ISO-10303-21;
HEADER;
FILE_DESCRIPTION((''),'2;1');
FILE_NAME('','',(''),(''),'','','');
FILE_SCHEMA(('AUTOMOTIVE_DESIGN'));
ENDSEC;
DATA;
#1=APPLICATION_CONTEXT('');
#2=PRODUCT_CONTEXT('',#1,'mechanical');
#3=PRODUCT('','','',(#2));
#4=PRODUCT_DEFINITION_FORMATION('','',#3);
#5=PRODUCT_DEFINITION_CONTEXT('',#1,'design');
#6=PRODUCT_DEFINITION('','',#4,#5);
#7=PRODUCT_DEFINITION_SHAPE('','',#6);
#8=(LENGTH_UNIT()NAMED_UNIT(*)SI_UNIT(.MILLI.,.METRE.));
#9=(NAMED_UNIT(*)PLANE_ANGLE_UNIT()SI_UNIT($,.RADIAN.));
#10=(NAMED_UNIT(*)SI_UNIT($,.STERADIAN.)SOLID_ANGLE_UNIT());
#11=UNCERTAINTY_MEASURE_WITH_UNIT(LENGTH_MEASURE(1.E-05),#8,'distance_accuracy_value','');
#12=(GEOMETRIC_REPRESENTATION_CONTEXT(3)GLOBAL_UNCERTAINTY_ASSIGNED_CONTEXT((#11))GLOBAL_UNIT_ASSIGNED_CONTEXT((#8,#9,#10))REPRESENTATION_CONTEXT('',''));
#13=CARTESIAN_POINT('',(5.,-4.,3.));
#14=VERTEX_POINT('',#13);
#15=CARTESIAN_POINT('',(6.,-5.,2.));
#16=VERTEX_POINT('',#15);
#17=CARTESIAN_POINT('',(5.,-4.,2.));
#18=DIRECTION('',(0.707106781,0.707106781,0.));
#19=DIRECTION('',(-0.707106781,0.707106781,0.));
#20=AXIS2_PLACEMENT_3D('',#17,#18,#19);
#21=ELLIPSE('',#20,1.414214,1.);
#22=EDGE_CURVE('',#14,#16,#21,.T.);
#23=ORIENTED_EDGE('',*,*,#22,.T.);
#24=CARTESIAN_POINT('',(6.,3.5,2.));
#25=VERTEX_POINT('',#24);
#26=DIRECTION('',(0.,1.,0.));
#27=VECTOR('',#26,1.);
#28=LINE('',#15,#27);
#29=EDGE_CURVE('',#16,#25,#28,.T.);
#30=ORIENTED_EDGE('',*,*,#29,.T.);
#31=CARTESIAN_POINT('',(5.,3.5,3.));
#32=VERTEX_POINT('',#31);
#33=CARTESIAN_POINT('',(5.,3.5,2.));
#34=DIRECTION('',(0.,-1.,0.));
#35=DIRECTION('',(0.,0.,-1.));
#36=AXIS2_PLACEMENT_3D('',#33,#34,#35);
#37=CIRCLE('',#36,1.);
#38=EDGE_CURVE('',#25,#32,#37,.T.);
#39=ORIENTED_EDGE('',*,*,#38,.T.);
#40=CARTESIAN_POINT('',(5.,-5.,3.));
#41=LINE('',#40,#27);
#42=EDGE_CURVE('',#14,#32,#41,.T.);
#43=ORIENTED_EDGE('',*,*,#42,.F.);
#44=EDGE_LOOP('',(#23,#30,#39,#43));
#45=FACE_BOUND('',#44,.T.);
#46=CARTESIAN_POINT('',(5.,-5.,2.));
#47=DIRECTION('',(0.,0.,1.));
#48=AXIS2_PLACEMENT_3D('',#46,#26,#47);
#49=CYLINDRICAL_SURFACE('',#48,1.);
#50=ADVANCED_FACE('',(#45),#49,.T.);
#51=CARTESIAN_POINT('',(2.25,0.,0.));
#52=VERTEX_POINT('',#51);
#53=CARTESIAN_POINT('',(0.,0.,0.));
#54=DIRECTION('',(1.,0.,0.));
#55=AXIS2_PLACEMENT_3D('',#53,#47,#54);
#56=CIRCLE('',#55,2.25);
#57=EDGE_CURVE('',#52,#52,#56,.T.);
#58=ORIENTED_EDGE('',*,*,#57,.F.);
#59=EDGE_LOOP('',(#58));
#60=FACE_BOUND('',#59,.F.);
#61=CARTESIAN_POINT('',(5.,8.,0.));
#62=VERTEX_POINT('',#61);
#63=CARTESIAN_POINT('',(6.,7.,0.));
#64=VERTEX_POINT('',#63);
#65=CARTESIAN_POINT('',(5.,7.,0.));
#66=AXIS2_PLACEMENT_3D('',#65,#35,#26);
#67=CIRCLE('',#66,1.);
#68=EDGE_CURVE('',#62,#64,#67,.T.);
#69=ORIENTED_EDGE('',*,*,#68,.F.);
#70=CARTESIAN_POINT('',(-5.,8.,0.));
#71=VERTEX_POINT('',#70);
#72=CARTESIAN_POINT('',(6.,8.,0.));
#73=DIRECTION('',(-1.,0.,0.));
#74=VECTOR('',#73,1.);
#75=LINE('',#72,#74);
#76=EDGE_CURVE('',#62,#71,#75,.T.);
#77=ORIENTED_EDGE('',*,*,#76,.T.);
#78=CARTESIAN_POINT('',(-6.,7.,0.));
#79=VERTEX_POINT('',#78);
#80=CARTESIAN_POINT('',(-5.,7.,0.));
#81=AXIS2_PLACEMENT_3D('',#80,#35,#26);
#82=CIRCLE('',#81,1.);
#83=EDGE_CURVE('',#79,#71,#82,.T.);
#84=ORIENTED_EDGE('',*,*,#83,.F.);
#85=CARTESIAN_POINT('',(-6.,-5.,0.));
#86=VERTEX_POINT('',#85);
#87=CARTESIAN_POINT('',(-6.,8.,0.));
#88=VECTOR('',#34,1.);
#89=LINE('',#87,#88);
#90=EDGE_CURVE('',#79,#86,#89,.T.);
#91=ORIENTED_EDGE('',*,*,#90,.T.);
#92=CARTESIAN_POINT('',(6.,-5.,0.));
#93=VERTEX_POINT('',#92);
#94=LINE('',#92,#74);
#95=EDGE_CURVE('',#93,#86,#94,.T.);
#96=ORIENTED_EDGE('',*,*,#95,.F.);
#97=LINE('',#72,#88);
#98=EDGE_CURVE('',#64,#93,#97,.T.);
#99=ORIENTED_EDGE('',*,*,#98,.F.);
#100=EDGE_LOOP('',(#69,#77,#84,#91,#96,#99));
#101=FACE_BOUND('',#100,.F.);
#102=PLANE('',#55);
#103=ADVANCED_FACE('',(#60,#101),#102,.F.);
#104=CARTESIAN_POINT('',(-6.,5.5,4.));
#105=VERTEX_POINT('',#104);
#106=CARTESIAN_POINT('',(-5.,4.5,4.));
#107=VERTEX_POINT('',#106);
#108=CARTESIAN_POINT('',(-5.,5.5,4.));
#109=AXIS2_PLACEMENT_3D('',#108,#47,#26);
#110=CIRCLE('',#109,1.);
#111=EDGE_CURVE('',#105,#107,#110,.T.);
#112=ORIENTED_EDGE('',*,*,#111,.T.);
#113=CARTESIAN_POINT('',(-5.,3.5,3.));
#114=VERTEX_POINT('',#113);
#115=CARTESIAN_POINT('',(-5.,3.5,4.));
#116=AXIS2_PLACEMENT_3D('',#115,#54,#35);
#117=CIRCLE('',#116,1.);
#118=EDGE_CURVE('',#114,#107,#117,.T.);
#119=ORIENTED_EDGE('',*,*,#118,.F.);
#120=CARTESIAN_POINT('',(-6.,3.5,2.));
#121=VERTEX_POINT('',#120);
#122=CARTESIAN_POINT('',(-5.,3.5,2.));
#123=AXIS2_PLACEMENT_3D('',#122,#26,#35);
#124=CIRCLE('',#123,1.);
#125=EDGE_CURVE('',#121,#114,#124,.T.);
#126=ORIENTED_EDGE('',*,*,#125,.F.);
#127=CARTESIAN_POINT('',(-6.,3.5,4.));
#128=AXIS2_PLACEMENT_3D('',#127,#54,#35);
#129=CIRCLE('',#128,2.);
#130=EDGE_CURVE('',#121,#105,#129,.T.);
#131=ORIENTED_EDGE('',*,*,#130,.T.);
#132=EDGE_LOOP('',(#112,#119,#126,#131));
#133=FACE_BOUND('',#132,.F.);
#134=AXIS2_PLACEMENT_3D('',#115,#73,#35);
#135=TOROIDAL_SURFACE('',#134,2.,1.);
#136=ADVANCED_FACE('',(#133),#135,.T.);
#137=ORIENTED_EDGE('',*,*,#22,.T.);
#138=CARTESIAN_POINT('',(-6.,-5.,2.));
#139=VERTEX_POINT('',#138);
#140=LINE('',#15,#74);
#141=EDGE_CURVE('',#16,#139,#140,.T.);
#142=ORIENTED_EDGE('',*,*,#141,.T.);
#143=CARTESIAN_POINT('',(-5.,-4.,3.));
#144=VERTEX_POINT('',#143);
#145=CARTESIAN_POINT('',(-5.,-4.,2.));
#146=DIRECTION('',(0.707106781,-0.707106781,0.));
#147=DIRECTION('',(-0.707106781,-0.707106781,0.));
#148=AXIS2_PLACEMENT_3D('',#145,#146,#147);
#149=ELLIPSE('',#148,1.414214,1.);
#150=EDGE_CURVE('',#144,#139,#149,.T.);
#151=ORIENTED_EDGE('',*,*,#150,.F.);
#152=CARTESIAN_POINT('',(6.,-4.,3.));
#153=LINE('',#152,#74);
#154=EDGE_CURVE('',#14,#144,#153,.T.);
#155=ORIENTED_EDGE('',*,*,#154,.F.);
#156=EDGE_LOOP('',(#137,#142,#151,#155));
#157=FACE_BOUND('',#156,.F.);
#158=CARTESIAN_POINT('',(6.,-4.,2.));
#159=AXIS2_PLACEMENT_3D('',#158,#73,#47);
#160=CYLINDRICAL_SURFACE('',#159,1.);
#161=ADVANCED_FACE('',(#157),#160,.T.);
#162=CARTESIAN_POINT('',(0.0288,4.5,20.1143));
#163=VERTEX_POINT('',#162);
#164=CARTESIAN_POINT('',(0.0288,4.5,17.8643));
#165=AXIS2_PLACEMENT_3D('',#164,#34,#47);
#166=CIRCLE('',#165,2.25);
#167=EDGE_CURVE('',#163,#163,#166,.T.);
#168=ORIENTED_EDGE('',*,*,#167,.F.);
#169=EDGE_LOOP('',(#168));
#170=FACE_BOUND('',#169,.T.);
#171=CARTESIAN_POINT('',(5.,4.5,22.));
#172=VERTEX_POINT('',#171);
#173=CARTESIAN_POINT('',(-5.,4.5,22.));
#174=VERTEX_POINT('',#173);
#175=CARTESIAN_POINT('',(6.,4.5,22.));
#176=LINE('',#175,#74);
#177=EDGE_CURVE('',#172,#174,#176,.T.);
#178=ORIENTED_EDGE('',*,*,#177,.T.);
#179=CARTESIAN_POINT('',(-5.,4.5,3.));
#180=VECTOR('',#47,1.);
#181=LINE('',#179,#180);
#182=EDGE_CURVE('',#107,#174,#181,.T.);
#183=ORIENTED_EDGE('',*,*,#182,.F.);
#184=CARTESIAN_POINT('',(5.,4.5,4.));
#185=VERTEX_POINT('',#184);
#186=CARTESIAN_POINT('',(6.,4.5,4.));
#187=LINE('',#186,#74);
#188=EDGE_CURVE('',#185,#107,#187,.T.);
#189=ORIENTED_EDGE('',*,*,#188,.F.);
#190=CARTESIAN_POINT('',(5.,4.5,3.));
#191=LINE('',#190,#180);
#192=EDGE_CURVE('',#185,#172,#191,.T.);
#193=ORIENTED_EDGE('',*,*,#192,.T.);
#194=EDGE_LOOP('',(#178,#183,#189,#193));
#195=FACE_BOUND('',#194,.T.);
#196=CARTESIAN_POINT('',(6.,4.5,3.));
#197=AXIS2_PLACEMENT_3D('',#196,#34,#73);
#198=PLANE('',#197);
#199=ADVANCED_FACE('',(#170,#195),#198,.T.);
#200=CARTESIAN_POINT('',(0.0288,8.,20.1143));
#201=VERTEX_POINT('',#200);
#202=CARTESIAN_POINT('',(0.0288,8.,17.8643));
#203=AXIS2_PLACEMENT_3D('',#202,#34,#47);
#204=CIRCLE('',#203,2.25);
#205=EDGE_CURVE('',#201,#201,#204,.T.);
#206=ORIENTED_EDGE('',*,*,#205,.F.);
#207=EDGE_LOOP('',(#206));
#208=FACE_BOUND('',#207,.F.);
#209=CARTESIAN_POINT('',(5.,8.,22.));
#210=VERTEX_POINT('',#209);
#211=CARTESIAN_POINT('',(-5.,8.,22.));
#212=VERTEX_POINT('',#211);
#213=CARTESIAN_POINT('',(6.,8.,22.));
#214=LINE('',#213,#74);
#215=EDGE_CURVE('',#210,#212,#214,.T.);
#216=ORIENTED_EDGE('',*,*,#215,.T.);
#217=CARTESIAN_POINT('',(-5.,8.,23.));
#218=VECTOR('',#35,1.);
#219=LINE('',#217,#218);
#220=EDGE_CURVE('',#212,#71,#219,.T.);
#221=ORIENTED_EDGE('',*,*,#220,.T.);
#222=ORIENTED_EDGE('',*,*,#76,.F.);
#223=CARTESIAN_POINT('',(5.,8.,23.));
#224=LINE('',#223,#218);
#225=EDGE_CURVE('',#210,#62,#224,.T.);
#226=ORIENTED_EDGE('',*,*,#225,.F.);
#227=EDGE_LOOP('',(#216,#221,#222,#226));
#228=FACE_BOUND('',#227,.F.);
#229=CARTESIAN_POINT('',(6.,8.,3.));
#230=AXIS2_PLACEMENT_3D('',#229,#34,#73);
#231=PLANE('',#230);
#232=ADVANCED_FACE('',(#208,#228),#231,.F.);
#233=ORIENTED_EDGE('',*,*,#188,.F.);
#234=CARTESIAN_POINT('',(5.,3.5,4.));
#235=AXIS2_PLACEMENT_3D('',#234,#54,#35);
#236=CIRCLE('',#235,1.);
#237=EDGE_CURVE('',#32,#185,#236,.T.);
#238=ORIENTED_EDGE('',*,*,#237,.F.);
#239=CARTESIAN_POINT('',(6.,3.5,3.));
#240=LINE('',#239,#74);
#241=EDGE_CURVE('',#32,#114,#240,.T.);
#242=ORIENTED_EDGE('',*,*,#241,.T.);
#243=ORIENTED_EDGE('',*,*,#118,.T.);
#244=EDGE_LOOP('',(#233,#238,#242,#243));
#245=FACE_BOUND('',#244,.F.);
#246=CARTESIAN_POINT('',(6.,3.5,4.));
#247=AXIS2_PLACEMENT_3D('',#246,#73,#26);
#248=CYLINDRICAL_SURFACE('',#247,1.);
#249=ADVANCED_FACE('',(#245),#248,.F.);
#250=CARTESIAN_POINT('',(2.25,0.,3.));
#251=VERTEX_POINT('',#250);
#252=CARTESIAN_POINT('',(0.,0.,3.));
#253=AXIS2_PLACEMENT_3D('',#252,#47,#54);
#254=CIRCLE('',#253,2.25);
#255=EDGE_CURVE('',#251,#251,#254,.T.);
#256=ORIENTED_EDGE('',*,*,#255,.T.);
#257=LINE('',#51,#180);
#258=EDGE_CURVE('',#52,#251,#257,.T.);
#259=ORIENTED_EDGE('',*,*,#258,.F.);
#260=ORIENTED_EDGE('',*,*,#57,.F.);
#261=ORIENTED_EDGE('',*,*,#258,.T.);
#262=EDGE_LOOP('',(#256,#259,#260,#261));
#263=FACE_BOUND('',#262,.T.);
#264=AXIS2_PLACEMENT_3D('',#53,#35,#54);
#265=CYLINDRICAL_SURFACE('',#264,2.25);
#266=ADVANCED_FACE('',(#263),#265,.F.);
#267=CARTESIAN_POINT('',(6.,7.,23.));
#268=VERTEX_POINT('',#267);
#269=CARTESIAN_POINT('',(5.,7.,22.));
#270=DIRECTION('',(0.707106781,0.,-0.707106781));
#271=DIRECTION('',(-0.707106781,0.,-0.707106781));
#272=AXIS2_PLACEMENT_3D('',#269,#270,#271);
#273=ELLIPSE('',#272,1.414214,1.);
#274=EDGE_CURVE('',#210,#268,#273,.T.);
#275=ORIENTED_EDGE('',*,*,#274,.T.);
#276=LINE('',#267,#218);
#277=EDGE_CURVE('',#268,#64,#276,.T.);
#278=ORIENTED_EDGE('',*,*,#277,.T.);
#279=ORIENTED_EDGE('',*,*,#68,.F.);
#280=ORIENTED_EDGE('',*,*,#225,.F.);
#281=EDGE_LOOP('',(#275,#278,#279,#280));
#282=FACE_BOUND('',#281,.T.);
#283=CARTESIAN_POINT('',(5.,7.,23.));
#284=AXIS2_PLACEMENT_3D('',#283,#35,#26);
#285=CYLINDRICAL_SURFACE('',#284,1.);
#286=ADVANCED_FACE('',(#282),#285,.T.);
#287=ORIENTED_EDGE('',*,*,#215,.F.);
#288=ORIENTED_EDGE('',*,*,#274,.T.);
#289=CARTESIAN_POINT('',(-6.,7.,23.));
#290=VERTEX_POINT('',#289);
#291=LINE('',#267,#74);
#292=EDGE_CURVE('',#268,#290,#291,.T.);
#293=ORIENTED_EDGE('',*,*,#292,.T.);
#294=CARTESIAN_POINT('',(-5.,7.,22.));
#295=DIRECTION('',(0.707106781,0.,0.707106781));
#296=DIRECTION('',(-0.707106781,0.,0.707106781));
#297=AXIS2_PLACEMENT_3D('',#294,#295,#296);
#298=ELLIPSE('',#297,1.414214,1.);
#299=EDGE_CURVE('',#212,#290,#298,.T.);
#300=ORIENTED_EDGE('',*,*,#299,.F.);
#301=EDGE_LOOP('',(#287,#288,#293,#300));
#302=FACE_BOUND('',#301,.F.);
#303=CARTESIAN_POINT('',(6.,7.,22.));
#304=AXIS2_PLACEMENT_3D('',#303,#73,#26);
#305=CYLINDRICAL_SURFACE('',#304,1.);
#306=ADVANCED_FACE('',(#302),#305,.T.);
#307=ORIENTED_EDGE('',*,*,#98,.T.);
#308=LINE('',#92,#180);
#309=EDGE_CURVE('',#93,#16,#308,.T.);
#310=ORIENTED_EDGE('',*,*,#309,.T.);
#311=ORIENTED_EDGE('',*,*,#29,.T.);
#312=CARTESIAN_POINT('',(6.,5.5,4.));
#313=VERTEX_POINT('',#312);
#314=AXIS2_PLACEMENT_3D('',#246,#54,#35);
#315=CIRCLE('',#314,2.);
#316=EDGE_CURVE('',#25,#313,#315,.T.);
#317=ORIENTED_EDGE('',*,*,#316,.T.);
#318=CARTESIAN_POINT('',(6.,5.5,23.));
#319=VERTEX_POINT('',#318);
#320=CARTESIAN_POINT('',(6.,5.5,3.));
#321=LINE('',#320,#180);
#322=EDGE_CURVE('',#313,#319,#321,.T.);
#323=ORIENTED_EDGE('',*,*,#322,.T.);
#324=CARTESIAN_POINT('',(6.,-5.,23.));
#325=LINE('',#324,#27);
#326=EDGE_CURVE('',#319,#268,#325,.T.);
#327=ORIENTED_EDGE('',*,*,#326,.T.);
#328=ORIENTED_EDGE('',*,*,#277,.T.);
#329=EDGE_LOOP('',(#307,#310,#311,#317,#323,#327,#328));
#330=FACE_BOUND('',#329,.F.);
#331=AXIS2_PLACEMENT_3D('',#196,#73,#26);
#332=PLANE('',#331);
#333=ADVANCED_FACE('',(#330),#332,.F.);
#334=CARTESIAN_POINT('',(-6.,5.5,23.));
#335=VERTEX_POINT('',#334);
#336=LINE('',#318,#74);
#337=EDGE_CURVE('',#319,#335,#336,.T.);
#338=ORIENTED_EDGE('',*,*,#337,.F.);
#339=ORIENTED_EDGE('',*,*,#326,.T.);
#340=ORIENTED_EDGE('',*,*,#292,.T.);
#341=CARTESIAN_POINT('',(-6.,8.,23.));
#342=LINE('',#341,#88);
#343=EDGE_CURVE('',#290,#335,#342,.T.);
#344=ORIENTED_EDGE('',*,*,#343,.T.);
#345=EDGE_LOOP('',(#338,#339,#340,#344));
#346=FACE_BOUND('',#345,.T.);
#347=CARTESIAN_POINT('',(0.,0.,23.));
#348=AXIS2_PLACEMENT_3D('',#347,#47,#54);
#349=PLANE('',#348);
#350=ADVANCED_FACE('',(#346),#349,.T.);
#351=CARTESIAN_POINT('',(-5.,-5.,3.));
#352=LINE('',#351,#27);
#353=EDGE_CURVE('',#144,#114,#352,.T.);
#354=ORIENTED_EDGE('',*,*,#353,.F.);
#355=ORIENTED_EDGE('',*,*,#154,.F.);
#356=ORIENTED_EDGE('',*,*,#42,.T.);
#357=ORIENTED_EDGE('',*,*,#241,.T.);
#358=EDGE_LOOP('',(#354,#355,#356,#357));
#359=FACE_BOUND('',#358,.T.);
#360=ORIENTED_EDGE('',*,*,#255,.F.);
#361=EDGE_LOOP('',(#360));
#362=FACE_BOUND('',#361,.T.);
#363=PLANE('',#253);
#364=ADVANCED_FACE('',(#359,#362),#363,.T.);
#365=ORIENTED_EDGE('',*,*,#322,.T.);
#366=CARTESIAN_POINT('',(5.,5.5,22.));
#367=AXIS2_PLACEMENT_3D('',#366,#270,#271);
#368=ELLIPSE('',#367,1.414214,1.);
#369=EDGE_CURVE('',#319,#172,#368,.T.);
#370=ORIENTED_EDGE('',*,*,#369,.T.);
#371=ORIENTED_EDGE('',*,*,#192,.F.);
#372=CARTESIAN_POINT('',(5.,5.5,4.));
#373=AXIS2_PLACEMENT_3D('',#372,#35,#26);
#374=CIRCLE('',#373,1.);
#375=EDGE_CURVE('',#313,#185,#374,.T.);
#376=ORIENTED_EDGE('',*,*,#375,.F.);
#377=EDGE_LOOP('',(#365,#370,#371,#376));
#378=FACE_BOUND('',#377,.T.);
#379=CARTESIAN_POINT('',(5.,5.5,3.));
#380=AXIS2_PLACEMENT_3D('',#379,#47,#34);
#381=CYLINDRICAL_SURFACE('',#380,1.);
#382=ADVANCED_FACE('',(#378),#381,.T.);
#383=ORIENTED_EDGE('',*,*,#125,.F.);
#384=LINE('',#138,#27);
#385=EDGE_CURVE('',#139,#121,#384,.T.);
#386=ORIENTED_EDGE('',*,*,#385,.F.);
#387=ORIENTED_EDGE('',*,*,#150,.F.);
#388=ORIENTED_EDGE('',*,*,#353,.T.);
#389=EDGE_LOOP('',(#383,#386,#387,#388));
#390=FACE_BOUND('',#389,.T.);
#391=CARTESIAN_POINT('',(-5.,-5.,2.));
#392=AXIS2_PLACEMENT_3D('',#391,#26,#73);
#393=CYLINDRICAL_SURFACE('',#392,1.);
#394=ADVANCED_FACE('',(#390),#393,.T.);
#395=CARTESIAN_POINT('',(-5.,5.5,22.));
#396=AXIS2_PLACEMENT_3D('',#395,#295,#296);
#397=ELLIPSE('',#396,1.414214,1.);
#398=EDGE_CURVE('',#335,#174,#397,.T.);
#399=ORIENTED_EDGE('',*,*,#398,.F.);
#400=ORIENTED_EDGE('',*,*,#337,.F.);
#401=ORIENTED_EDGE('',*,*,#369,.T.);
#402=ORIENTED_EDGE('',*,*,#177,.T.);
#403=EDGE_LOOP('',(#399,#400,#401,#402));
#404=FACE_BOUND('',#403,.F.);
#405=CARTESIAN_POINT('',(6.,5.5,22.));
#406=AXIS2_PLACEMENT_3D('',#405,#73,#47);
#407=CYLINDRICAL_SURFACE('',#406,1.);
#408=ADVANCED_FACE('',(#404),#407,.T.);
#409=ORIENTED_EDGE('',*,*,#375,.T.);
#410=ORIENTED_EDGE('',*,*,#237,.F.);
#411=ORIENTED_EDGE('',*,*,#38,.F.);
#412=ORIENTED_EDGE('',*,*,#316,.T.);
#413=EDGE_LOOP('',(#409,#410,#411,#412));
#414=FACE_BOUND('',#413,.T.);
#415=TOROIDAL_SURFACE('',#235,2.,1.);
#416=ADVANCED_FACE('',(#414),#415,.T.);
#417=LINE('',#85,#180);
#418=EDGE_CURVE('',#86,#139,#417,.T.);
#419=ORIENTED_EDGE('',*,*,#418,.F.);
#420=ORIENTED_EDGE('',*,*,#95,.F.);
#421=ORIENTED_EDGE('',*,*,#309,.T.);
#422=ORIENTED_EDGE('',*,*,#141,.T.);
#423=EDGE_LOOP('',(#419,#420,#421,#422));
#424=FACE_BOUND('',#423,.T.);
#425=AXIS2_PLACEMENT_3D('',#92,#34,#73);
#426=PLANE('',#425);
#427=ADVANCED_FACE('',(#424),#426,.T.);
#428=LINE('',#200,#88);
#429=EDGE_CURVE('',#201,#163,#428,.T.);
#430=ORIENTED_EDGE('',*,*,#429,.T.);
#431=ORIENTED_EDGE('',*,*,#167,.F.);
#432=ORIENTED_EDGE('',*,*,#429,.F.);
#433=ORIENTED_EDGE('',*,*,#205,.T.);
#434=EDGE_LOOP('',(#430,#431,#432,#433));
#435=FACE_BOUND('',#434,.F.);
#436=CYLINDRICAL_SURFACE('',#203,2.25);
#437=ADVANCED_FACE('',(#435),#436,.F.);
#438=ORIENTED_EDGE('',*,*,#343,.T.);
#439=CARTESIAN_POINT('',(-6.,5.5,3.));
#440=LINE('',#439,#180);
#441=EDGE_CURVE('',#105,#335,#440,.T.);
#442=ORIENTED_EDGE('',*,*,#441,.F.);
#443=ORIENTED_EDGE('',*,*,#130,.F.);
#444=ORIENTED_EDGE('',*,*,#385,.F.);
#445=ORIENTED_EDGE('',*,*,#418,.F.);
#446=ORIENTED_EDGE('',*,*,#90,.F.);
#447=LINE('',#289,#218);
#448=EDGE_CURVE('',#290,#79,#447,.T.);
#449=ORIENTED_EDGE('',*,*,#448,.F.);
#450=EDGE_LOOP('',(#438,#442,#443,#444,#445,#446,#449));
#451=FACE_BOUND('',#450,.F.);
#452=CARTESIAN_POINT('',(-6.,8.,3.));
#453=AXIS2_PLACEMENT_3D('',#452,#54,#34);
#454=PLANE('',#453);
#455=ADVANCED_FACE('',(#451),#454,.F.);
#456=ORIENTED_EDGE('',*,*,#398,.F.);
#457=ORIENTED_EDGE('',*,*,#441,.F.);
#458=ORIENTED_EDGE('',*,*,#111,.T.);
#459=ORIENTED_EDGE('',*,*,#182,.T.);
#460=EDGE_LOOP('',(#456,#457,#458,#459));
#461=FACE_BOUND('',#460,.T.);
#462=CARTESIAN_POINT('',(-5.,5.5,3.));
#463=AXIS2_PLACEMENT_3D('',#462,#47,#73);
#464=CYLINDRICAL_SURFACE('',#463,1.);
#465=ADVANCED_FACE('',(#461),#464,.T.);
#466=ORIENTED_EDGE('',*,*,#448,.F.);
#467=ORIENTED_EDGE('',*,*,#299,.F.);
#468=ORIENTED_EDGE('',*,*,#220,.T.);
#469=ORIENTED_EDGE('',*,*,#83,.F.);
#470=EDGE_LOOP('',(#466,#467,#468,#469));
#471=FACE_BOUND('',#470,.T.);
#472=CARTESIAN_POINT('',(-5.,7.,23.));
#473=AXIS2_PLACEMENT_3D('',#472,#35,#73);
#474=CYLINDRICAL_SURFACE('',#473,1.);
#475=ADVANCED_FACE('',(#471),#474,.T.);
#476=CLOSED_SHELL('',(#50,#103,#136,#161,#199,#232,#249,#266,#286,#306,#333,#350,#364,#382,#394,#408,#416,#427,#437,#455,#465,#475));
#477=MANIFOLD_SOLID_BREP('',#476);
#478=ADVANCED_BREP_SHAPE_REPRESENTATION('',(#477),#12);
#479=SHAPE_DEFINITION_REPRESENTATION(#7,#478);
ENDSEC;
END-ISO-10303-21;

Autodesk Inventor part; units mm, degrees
ref_plane "YZ Plane" through (0, 0, 0) normal (1, 0, 0) x (0, 1, 0)
ref_plane "XZ Plane" through (0, 0, 0) normal (0, 1, 0) x (-1, 0, 0)
ref_plane "XY Plane" through (0, 0, 0) normal (0, 0, 1) x (1, 0, 0)
sketch "Sketch1" plane through (0, 0, 0) normal (0, 0, 1) x (1, 0, 0)
  circle A0 centre (0, 0) radius 2.25
  line L0 (-6, 4.5) -> (6, 4.5)
  line L1 (6, 4.5) -> (6, -5)
  line L2 (6, -5) -> (-6, -5)
  line L3 (-6, -5) -> (-6, 4.5)
  line L4 (-6, 4.5) -> (6, 4.5)
  line L5 (6, 4.5) -> (6, 8)
  line L6 (6, 8) -> (-6, 8)
  line L7 (-6, 8) -> (-6, 4.5)
  dimension "d0" = 4.5
  dimension "d1" = 5
  dimension "d2" = 6
  dimension "d3" = 6
  dimension "d4" = 4.5
  dimension "d5" = 3.5
extrude "Extrusion1" add sketch "Sketch1" along normal blind 3
sketch "Sketch2" plane through (0, 0, 3) normal (0, 0, 1) x (1, 0, 0)
  line L0 (-6, -5) -> (6, -5) projected
  line L1 (6, -5) -> (6, 8) projected
  line L2 (6, 8) -> (-6, 8) projected
  line L3 (-6, 8) -> (-6, -5) projected
  circle A0 centre (0, 0) radius 2.25 projected
  line L4 (6, 8) -> (-6, 8) projected
  line L5 (-6, 8) -> (6, 8)
  line L6 (6, 8) -> (6, 4.5)
  line L7 (6, 4.5) -> (-6, 4.5)
  line L8 (-6, 4.5) -> (-6, 8)
  dimension "d8" = 3.5
extrude "Extrusion2" add sketch "Sketch2" along normal blind 20 contours L3 L2 L1 L7
sketch "Sketch3" plane through (-6, 8, 0) normal (0, 1, 0) x (1, 0, 0)
  point P0 (6, 0)
  point P1 (6.0288, -17.8643)
hole "Hole1" at (0.0288, 8, 17.8643) direction (0, -1, 0) diameter 4.5 depth 4 tip angle 118
fillet "Fillet1" radius 1 10 edges at (0, 4.5, 3) (0, 8, 23) (0, 4.5, 23) (0, -5, 3) (-6, -0.25, 3) (6, -0.25, 3) (6, 4.5, 13) (-6, 4.5, 13) (-6, 8, 11.5) (6, 8, 11.5)
properties part number "psu-bracket_3DPrint"
